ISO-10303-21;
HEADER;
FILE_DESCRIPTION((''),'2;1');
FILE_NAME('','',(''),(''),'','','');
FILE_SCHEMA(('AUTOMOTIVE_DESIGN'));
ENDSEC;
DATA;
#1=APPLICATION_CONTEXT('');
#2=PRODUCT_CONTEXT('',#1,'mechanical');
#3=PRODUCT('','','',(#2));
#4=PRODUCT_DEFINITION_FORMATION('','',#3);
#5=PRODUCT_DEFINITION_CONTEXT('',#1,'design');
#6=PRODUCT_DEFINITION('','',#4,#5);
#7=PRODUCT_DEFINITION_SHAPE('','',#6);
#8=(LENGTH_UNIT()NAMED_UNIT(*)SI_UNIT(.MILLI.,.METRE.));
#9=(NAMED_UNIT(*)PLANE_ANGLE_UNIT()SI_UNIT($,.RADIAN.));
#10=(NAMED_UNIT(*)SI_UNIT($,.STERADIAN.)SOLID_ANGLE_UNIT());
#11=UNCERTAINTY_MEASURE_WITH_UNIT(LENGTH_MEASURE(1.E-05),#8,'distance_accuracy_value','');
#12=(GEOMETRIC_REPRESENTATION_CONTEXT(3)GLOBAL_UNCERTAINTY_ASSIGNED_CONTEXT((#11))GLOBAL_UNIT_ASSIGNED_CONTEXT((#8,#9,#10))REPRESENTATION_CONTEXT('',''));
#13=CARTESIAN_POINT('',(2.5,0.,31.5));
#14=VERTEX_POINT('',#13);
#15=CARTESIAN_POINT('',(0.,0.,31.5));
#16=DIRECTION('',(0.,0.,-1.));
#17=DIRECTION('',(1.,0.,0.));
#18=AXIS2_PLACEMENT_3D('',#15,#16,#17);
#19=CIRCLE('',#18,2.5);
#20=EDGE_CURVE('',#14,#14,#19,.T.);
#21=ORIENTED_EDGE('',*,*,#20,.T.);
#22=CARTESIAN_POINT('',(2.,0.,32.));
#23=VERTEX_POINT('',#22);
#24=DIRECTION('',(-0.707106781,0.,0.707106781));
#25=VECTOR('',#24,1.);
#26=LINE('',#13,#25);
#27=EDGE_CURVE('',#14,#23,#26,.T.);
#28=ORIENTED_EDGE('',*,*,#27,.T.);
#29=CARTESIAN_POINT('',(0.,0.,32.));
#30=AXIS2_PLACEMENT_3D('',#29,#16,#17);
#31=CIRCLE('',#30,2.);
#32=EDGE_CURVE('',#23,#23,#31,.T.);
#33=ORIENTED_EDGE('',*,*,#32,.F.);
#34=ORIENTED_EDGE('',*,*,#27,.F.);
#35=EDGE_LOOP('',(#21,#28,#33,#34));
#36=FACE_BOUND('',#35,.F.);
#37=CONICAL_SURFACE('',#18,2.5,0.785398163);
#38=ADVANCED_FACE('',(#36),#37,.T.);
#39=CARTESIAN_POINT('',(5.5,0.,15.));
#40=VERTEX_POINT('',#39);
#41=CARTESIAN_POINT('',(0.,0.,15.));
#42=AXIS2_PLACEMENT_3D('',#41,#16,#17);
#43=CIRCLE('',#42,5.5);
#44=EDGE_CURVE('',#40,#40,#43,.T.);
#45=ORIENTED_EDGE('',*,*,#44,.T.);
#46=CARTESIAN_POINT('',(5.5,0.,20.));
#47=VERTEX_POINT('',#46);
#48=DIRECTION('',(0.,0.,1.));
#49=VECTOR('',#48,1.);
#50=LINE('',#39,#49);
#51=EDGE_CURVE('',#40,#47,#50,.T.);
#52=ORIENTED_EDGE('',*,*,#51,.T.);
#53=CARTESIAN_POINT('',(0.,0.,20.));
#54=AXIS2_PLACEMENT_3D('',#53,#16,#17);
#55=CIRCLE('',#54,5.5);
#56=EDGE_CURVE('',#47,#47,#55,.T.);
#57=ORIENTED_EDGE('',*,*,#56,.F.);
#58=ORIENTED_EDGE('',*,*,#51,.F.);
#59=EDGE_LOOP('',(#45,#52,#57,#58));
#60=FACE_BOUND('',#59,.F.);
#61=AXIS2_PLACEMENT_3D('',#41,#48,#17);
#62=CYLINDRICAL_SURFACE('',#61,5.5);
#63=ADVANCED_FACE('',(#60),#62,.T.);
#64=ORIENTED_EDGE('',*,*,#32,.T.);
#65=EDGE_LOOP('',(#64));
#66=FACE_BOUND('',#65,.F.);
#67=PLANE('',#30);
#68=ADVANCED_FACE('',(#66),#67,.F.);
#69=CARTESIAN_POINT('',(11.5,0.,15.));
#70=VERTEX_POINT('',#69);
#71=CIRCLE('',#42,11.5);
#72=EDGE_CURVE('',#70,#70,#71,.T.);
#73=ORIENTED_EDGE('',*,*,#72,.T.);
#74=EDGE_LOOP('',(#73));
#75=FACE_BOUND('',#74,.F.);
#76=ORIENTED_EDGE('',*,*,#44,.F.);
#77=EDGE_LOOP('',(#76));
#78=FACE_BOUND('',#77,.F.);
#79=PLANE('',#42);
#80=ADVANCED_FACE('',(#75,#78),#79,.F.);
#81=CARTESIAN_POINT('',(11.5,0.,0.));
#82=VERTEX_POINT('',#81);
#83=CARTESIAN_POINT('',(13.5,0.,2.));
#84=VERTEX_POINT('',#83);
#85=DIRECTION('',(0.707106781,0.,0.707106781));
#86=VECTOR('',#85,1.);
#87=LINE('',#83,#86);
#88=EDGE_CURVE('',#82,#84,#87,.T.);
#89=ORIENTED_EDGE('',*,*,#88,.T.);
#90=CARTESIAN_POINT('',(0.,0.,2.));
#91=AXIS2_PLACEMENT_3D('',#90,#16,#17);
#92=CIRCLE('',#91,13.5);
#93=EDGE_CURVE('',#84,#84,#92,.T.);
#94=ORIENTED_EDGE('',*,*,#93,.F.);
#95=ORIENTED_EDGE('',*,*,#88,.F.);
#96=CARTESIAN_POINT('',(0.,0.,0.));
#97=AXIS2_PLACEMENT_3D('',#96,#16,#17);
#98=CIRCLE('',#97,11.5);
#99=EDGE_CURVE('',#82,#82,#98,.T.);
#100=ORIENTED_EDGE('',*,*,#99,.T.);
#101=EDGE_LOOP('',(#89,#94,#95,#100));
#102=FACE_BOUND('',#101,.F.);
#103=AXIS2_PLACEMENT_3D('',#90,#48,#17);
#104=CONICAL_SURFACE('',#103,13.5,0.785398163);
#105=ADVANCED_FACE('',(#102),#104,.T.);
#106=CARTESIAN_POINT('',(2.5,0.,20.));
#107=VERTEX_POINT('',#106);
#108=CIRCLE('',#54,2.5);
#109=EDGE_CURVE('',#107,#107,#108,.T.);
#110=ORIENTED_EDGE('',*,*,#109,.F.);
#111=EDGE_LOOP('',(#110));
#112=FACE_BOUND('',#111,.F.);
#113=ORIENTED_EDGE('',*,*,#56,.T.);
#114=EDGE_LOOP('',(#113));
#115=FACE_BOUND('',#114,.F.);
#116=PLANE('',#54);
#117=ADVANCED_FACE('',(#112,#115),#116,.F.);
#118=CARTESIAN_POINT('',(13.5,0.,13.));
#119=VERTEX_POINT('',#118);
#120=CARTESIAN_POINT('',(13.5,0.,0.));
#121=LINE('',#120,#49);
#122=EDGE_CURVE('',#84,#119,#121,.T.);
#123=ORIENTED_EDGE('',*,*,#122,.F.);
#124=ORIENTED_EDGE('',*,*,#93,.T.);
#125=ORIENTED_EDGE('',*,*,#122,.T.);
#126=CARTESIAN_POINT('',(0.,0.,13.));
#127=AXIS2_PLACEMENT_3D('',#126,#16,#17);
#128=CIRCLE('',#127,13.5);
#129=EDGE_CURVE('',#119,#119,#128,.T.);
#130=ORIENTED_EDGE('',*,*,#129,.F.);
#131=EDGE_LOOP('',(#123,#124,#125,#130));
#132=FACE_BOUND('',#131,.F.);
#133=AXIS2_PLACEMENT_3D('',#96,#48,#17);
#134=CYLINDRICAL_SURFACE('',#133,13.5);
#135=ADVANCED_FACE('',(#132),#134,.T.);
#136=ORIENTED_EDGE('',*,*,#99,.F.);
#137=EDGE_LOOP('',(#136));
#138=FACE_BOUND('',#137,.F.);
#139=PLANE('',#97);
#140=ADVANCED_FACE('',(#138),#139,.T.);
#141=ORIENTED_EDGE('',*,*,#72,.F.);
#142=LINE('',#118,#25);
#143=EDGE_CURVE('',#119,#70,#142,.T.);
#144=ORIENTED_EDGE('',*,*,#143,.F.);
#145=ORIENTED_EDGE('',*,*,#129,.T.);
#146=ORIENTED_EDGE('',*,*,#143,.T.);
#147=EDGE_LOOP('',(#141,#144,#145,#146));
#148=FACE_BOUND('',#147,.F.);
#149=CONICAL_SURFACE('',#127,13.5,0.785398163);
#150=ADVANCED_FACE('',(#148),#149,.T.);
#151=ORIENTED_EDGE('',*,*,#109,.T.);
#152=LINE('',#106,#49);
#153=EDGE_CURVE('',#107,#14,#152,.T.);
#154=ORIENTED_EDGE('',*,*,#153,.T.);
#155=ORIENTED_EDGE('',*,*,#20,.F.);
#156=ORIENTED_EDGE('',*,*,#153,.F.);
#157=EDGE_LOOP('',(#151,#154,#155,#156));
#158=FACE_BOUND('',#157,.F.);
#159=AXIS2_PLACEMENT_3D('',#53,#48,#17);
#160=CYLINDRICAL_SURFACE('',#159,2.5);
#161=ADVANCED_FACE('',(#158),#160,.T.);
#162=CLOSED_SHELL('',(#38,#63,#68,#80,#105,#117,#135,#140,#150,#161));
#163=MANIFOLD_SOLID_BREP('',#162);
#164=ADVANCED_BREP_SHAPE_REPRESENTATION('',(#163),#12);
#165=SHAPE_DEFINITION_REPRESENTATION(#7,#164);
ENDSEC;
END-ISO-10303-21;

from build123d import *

# Parameters (mm, degrees)
F2_SIZE = 2
F3_SIZE = 0.5


with BuildPart() as f1:
    # F0 (on Front) → F1 (revolve)
    with BuildSketch(Plane.XZ):
        Polygon((0, 32), (0, 0), (13.5, 0), (13.5, 15), (5.5, 15), (5.5, 20), (2.5, 20), (2.5, 32), align=None)
    revolve(axis=Axis((0, 0, 16), (0, 0, -1)))

    # F2
    f2_edges = [f1.edges().sort_by_distance(p)[0] for p in [
        (-13.5, 0, 15),
        (-13.5, 0, 0),
    ]]
    chamfer(f2_edges, length=F2_SIZE)

    # F3
    f3_edges = [f1.edges().sort_by_distance(p)[0] for p in [
        (-2.5, 0, 32),
    ]]
    chamfer(f3_edges, length=F3_SIZE)


solid = f1.part
